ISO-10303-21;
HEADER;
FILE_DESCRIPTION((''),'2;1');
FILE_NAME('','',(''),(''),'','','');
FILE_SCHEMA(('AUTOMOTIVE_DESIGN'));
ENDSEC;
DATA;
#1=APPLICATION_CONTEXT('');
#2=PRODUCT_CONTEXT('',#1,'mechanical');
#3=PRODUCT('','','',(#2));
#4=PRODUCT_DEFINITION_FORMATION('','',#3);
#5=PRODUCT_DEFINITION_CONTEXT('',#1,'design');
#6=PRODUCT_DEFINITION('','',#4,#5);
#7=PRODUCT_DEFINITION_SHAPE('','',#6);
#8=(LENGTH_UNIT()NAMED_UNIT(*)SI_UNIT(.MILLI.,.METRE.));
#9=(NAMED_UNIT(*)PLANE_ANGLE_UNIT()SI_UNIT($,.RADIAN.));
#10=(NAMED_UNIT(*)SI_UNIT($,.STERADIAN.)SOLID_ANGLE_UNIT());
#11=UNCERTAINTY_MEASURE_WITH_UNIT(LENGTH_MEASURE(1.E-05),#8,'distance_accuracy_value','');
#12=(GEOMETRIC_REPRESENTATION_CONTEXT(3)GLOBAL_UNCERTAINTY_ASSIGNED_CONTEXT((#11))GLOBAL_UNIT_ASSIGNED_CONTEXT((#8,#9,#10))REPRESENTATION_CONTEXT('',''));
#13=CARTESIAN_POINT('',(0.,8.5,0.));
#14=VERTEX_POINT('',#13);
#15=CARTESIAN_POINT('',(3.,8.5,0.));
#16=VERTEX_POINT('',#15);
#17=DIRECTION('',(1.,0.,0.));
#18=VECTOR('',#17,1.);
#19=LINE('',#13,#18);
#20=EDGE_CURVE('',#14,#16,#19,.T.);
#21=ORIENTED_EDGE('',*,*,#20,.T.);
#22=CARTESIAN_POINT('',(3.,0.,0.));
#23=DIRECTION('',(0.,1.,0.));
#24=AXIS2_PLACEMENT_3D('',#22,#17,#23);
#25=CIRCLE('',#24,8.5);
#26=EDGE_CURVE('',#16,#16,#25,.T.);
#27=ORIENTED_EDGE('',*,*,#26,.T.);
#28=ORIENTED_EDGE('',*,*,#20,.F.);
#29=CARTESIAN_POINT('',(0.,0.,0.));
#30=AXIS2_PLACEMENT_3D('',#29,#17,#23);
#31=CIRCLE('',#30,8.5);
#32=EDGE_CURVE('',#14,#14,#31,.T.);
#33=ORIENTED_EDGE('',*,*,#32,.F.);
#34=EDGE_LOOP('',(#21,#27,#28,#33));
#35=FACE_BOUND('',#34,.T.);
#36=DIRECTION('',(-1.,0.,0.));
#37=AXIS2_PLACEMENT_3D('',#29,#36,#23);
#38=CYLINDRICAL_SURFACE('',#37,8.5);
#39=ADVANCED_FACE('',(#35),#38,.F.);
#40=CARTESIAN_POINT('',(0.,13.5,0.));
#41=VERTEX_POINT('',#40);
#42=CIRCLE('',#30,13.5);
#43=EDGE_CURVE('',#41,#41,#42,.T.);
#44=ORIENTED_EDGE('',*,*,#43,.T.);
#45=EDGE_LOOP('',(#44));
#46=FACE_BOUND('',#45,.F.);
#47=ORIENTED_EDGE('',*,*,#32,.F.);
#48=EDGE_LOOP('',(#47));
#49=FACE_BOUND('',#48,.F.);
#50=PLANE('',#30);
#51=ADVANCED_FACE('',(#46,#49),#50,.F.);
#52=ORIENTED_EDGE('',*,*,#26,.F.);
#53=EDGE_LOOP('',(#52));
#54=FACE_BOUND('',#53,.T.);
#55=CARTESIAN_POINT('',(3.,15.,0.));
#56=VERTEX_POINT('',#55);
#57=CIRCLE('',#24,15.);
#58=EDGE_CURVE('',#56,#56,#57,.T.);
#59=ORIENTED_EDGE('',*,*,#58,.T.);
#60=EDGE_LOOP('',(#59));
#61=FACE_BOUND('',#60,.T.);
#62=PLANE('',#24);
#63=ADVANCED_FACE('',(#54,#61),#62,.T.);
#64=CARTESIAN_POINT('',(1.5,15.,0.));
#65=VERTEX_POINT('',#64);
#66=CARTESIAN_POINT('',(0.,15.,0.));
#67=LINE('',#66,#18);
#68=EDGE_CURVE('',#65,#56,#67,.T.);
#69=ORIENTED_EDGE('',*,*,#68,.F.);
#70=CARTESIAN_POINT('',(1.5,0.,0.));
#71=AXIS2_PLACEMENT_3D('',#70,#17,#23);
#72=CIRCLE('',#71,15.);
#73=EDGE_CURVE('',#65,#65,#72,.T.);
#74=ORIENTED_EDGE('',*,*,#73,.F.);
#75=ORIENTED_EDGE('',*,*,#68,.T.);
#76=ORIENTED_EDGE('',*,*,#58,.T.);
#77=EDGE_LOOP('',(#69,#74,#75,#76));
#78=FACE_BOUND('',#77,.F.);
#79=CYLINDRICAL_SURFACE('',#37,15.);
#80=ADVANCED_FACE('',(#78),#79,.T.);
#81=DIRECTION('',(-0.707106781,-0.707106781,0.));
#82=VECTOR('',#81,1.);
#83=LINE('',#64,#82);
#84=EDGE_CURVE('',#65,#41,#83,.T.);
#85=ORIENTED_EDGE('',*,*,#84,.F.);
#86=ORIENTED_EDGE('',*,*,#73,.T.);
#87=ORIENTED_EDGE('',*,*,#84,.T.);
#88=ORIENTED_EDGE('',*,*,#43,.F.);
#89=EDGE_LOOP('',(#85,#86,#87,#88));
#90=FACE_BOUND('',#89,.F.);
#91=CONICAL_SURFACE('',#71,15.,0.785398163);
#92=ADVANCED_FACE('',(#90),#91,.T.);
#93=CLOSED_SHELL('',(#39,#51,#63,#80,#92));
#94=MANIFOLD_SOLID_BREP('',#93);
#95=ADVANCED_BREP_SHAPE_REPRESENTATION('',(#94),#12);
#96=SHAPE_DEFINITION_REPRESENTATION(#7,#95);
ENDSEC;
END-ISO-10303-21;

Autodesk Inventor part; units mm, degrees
ref_plane "YZ Plane" through (0, 0, 0) normal (1, 0, 0) x (0, 1, 0)
ref_plane "XZ Plane" through (0, 0, 0) normal (0, 1, 0) x (-1, 0, 0)
sketch "Sketch" plane through (0, 0, 0) normal (1, 0, 0) x (0, 1, 0)
  circle A0 centre (0, 0) radius 15
  circle A1 centre (0, 0) radius 8.5
  dimension "d0" = 17
  dimension "d1" = 30
extrude "Body" add sketch "Sketch" along normal blind 3
chamfer "Chamfer" distance 1.5 angle 45 1 edges at (0, -15, 0) measured on face at (2, 14.9514, -1.207)
ref_plane "Work Plane1" through (0, 0, 0) normal (0, 1, 0) x (1, 0, 0)
equation "\"d0\" = SD1"
equation "\"d1\" = SD2"
equation "\"d2\" = SD"
equation "\"d4\" = PHH"
equation "\"d8\" = PHH"
equation "\"SD1\" = 17"
equation "\"SD2\" = 30"
equation "\"SD\" = 3"
equation "\"PHH\" = 1.5"
equation "\"FAWI\" = 45deg"
equation "\"NND\" = 16"
properties part number "ISO 7090 - 16 - 140 HV" material "Stainless Steel"
